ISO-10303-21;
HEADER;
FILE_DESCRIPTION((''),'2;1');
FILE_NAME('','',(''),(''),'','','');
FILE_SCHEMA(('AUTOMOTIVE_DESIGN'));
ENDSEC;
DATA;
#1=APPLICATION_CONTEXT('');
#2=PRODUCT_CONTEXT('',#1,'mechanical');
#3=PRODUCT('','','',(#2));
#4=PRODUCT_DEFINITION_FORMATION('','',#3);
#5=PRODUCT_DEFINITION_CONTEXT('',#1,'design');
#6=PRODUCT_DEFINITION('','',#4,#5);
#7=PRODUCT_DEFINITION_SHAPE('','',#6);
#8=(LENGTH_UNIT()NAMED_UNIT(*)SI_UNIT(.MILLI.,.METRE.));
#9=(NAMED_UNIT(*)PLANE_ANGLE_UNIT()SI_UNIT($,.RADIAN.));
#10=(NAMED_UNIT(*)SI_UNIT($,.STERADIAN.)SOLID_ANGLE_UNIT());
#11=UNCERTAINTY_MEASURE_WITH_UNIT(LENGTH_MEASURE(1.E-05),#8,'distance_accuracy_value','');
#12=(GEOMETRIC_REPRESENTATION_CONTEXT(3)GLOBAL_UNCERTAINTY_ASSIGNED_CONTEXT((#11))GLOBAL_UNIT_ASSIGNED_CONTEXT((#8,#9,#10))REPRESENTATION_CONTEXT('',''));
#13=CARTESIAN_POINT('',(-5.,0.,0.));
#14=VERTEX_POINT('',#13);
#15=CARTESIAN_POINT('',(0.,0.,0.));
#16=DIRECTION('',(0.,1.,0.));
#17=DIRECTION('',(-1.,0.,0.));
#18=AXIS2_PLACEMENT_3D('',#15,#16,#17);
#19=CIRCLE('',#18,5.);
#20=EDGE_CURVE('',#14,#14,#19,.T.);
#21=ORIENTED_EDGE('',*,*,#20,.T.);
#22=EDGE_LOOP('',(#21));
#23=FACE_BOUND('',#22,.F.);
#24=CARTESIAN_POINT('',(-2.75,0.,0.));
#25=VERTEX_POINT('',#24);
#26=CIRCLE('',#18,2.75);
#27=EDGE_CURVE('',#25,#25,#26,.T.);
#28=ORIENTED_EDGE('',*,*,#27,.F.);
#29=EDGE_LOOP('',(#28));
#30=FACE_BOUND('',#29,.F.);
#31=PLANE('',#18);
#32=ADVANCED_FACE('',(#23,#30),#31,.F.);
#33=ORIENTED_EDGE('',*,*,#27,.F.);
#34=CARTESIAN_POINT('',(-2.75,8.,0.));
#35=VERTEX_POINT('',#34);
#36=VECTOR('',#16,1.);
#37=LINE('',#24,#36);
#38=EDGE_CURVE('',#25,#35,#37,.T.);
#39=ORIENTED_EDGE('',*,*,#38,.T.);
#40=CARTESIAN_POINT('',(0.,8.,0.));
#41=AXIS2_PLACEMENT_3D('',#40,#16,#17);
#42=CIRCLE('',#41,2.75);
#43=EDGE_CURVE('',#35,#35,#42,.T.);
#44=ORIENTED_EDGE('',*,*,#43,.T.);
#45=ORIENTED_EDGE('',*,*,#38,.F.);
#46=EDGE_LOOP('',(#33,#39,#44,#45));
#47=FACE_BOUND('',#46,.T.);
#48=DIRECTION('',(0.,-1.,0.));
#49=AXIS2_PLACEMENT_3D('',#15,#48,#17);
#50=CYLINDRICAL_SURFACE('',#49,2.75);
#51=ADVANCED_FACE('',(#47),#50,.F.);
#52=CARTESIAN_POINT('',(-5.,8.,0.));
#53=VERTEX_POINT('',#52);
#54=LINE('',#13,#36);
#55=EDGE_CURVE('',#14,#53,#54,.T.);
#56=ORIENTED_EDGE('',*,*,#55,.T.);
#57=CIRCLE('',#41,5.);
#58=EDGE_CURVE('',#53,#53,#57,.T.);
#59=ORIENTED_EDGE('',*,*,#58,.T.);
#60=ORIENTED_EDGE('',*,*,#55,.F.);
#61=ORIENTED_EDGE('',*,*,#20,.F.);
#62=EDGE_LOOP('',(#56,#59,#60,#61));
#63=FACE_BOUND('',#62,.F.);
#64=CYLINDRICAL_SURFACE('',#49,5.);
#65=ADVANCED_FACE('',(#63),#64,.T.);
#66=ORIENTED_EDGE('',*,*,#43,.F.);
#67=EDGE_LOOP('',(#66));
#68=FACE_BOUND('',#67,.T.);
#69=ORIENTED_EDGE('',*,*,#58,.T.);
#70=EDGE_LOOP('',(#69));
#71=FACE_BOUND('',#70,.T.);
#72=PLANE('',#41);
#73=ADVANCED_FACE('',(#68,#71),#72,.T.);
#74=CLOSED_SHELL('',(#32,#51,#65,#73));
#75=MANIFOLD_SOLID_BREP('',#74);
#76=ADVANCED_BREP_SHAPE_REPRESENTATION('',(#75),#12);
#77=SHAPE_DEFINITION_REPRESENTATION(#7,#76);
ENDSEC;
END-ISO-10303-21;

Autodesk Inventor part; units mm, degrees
ref_plane "YZ Plane" through (0, 0, 0) normal (1, 0, 0) x (0, 1, 0)
ref_plane "XZ Plane" through (0, 0, 0) normal (0, 1, 0) x (-1, 0, 0)
ref_plane "XY Plane" through (0, 0, 0) normal (0, 0, 1) x (1, 0, 0)
sketch "Sketch1" plane through (0, 0, 0) normal (0, 1, 0) x (-1, 0, 0)
  circle A0 centre (0, 0) radius 2.75
  circle A1 centre (0, 0) radius 5
  dimension "d0" = 5.5
  dimension "d1" = 10
extrude "Extrusion1" add sketch "Sketch1" along normal blind 8
properties part number "8mm_Spacer"
